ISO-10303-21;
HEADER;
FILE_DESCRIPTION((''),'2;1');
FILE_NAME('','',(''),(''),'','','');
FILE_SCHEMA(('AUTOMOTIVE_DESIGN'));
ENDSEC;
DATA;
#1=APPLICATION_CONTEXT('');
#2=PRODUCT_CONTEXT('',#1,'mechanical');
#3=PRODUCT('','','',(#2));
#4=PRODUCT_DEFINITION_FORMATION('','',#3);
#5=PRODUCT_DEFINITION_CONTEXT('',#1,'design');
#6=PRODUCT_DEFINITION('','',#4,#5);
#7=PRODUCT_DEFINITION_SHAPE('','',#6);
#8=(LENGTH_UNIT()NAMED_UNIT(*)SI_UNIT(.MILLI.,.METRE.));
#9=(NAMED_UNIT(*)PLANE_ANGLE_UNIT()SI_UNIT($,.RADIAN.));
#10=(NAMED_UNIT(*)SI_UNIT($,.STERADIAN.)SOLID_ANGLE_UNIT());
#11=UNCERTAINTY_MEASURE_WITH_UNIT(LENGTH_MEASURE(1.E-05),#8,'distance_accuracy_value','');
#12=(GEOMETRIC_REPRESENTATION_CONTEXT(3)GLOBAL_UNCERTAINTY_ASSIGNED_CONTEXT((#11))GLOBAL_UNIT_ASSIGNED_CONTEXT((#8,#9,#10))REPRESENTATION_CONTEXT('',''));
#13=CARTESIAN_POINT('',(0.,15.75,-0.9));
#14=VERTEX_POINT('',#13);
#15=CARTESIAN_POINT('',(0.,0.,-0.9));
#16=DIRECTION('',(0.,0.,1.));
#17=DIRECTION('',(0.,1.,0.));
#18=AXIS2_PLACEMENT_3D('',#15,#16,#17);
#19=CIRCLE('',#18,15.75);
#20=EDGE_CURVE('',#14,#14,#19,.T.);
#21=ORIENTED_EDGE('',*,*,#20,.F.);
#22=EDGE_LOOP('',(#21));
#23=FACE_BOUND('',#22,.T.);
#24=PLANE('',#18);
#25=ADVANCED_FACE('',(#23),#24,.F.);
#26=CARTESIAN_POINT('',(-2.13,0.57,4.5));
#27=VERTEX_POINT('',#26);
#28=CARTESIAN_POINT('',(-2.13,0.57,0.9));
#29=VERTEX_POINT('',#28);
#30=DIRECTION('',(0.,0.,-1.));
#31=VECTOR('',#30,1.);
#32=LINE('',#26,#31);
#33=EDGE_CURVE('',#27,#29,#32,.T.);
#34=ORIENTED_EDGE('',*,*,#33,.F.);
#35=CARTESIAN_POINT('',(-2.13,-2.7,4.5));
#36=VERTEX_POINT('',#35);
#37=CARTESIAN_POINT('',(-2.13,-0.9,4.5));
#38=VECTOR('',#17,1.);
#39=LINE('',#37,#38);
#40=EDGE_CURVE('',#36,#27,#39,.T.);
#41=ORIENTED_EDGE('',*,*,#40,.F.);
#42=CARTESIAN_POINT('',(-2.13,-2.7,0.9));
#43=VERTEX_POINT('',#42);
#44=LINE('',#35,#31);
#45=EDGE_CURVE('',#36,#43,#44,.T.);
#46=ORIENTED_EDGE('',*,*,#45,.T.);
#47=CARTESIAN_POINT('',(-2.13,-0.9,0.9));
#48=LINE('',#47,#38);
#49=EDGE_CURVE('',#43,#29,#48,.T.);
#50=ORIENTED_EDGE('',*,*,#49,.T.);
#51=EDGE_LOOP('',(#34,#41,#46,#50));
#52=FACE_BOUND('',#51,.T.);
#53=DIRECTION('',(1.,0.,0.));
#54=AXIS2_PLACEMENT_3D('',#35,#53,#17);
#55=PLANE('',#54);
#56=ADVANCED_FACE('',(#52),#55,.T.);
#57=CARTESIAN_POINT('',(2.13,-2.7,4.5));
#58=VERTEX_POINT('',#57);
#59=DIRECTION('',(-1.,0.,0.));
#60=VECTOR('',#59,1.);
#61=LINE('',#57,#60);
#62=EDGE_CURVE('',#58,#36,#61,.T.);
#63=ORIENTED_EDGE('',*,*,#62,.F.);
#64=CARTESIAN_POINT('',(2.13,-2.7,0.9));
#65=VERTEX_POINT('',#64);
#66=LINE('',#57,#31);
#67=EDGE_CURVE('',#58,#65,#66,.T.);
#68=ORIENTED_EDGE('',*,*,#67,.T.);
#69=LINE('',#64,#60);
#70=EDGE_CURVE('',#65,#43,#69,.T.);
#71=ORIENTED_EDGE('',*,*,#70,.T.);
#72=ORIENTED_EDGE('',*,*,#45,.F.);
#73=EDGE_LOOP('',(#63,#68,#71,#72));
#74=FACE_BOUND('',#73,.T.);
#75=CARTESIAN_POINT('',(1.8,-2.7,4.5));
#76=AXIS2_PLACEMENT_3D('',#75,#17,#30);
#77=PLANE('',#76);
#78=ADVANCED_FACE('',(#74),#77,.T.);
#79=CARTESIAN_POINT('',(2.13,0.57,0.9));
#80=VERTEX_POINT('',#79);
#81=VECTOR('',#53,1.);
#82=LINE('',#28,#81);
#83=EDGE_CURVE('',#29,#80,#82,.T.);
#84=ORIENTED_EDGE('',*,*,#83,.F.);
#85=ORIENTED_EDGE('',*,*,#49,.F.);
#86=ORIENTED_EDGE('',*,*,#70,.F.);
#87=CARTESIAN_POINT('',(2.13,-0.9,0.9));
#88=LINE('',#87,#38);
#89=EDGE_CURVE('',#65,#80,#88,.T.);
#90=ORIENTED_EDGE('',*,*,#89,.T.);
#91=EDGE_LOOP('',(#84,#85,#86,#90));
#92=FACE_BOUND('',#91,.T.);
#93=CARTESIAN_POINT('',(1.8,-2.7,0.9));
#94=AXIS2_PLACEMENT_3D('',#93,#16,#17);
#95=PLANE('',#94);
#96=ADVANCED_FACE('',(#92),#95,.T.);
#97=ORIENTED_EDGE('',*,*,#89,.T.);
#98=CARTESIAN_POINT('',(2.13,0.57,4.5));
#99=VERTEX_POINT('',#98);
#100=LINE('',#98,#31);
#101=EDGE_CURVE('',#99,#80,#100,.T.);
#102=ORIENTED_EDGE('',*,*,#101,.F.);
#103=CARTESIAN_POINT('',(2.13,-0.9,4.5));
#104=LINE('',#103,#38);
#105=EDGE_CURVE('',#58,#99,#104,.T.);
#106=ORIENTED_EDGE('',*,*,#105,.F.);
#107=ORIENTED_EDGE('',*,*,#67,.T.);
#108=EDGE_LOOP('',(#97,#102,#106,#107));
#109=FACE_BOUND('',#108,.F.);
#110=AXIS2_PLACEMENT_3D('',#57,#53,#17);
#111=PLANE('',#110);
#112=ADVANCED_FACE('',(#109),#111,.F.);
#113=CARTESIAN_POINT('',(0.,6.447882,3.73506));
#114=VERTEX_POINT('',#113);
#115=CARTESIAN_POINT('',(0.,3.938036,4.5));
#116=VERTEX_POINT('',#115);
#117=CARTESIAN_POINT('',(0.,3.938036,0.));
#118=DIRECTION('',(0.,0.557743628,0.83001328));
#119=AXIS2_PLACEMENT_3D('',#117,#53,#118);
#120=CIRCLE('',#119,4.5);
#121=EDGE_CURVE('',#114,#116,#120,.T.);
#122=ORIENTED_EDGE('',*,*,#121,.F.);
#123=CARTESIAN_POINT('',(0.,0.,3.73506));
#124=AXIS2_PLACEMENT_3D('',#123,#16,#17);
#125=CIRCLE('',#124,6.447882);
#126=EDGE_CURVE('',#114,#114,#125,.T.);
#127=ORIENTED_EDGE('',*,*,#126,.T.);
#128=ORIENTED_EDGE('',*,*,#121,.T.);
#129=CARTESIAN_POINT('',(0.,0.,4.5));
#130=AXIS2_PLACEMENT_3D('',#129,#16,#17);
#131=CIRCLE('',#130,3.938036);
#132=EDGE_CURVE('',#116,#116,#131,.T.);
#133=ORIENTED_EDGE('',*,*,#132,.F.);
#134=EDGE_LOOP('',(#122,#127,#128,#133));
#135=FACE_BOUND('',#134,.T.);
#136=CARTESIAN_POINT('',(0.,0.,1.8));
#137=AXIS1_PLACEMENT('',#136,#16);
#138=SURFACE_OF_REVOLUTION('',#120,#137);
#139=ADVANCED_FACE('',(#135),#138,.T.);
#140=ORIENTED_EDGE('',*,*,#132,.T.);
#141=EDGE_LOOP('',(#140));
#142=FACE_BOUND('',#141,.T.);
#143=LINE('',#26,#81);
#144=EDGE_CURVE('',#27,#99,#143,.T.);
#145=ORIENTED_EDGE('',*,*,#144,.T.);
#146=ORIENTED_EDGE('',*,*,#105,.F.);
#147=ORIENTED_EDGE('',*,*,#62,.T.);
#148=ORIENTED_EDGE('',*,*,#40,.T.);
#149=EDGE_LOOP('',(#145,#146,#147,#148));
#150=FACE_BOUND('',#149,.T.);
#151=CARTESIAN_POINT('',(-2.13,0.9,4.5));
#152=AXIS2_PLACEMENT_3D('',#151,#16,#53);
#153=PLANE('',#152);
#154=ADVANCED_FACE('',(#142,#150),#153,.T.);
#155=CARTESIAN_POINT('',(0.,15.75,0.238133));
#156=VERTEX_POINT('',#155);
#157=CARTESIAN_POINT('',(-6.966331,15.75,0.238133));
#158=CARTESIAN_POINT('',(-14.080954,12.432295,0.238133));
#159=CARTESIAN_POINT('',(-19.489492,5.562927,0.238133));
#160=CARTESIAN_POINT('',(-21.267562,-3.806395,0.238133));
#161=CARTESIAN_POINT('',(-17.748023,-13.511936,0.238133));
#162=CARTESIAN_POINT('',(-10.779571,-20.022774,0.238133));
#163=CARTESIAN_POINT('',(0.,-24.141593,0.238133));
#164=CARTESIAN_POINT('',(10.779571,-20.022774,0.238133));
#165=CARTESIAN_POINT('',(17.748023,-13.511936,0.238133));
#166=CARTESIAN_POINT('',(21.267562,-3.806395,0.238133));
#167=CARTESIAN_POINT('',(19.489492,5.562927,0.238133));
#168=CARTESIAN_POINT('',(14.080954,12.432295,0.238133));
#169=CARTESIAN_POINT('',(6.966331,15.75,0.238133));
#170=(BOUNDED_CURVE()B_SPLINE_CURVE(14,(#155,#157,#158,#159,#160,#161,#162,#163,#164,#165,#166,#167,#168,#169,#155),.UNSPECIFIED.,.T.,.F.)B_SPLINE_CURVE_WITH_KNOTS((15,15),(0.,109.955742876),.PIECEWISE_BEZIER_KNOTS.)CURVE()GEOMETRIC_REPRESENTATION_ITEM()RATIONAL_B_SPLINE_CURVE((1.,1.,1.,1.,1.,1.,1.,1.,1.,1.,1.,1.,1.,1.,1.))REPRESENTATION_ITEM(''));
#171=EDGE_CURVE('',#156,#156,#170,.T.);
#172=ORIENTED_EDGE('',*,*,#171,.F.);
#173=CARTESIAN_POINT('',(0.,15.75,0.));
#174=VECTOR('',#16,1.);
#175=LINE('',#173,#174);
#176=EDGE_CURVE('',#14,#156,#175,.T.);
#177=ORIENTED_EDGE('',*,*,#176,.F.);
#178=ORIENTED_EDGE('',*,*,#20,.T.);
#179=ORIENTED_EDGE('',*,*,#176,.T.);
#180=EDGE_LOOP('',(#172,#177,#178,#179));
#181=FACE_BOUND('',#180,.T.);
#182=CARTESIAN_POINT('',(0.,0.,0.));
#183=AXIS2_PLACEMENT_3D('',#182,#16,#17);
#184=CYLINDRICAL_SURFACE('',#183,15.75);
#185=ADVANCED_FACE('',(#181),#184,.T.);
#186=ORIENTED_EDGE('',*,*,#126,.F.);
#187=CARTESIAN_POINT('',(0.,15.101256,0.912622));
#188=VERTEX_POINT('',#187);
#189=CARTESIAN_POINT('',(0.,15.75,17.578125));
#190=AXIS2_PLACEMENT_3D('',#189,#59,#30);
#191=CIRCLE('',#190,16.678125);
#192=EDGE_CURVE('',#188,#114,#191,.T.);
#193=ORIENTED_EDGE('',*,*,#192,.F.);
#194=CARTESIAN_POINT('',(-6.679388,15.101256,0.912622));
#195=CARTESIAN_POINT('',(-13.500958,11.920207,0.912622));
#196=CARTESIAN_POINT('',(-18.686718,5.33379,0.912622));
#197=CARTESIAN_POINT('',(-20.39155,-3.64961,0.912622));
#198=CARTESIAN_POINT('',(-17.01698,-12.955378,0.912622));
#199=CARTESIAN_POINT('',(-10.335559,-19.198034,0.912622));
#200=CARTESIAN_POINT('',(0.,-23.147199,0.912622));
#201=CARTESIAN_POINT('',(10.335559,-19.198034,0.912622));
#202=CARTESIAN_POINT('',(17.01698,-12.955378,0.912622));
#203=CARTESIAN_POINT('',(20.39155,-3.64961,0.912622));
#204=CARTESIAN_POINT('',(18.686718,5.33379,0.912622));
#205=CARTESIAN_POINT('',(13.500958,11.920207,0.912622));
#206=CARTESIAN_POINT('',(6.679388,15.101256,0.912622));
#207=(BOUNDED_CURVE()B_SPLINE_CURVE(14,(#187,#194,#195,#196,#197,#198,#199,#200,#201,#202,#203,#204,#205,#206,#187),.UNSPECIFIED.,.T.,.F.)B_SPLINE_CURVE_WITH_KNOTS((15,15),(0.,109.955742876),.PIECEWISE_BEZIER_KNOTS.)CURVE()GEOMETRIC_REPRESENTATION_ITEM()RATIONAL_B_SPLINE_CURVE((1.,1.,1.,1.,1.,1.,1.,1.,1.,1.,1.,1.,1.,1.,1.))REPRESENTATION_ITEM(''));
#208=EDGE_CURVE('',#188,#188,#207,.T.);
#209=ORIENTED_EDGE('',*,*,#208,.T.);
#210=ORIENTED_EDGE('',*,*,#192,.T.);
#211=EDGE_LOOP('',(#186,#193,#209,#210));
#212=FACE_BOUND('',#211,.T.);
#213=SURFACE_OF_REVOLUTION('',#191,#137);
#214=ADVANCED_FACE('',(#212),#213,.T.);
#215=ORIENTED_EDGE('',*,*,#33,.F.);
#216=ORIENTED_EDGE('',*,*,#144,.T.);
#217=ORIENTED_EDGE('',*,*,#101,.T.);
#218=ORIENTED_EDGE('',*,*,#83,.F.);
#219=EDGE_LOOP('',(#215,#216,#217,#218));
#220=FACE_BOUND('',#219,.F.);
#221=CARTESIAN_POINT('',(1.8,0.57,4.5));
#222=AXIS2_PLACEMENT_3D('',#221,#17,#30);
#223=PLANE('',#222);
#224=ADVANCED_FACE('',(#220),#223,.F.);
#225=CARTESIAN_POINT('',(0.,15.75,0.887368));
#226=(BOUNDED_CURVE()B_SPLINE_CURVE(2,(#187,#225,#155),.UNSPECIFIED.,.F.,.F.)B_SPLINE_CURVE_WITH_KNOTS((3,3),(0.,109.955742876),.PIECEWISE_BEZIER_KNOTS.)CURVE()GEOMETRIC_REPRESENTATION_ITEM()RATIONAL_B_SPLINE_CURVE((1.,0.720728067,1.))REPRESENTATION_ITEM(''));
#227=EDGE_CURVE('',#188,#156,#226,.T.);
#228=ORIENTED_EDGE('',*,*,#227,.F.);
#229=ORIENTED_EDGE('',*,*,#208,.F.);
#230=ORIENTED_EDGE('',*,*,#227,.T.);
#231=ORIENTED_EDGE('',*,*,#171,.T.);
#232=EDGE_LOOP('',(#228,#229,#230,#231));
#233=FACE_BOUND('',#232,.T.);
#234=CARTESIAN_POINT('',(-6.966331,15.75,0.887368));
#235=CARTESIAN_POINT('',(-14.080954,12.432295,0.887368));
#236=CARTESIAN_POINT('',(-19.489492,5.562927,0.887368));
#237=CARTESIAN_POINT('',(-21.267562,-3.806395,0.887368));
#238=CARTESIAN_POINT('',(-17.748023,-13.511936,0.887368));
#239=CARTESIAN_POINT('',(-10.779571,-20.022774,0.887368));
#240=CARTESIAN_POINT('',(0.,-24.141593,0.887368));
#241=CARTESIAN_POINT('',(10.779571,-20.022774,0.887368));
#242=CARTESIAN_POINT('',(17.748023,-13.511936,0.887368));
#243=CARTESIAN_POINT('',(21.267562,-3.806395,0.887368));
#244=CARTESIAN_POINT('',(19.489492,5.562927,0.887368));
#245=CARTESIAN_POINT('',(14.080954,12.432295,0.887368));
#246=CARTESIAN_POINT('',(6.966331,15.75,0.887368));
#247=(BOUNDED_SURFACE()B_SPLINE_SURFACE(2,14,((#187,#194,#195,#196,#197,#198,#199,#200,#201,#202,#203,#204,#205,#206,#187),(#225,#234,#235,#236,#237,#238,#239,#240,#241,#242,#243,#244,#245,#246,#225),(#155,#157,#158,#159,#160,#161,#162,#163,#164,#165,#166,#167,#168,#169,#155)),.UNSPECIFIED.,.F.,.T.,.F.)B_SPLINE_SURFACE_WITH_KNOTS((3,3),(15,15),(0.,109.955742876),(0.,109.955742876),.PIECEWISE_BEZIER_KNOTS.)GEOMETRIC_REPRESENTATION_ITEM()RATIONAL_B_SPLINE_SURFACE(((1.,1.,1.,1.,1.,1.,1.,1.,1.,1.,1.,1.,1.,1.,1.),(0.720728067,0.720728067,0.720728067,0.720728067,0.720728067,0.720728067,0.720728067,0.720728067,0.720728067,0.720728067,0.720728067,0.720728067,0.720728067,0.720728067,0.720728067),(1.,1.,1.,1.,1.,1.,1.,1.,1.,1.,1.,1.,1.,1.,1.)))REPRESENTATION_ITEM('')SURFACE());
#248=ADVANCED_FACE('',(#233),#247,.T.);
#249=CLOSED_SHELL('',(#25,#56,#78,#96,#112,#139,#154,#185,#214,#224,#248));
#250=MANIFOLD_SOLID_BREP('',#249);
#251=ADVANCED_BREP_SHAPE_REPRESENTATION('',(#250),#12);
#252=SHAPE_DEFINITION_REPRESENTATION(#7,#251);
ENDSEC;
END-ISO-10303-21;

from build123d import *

# Parameters (mm, degrees)
F0_W     = 17.5
F0_H     = 2
F2_W     = 4
F2_H     = 4
F3_DEPTH = 4
F4_R     = 0.75
F5_SCALE = 0.9
F6_DEPTH = 0.33
F7_DEPTH = 0.33
F8_DEPTH = 0.33


with BuildPart() as f1:
    # F0 (on Right) → F1 (revolve)
    with BuildSketch(Plane.YZ):
        with BuildLine():
            Line((0, 1), (17.5, 1))
            ThreePointArc((17.5, 1), (12.0974696672, 1.8050013115), (7.164313392, 4.1500664011))
            ThreePointArc((7.164313392, 4.1500664011), (5.8332762858, 4.7827989716), (4.3755952516, 5))
            Line((4.3755952516, 5), (0, 5))
            Line((0, 5), (0, 1))
        make_face()
        with Locations((8.75, 0)):
            Rectangle(F0_W, F0_H)
    revolve(axis=Axis((0, 0, 2), (0, 0, 1)))

    # F2 (on face) → F3 (cut)
    with BuildSketch(Plane.XY.offset(5)):
        with Locations((0, -1)):
            Rectangle(F2_W, F2_H)
    extrude(amount=-F3_DEPTH, mode=Mode.SUBTRACT)

    # F4
    f4_edges = [f1.edges().sort_by_distance(p)[0] for p in [
        (0, -17.5, 1),
    ]]
    fillet(f4_edges, radius=F4_R)


with BuildPart() as f1_1:
    # F5: moved
    add(f1.part.scale(F5_SCALE))

    # F6 (cut): a face of the model
    f6_faces = [f1_1.faces().sort_by_distance(p)[0] for p in [
        (-1.8, -0.9, 2.7),
    ]]
    extrude(f6_faces, amount=-F6_DEPTH, mode=Mode.SUBTRACT)

    # F7 (cut): a face of the model
    f7_faces = [f1_1.faces().sort_by_distance(p)[0] for p in [
        (1.8, -0.9, 2.7),
    ]]
    extrude(f7_faces, amount=-F7_DEPTH, mode=Mode.SUBTRACT)

    # F8 (add): a face of the model
    f8_faces = [f1_1.faces().sort_by_distance(p)[0] for p in [
        (0, 0.9, 2.7),
    ]]
    extrude(f8_faces, amount=F8_DEPTH)


solid = f1_1.part
